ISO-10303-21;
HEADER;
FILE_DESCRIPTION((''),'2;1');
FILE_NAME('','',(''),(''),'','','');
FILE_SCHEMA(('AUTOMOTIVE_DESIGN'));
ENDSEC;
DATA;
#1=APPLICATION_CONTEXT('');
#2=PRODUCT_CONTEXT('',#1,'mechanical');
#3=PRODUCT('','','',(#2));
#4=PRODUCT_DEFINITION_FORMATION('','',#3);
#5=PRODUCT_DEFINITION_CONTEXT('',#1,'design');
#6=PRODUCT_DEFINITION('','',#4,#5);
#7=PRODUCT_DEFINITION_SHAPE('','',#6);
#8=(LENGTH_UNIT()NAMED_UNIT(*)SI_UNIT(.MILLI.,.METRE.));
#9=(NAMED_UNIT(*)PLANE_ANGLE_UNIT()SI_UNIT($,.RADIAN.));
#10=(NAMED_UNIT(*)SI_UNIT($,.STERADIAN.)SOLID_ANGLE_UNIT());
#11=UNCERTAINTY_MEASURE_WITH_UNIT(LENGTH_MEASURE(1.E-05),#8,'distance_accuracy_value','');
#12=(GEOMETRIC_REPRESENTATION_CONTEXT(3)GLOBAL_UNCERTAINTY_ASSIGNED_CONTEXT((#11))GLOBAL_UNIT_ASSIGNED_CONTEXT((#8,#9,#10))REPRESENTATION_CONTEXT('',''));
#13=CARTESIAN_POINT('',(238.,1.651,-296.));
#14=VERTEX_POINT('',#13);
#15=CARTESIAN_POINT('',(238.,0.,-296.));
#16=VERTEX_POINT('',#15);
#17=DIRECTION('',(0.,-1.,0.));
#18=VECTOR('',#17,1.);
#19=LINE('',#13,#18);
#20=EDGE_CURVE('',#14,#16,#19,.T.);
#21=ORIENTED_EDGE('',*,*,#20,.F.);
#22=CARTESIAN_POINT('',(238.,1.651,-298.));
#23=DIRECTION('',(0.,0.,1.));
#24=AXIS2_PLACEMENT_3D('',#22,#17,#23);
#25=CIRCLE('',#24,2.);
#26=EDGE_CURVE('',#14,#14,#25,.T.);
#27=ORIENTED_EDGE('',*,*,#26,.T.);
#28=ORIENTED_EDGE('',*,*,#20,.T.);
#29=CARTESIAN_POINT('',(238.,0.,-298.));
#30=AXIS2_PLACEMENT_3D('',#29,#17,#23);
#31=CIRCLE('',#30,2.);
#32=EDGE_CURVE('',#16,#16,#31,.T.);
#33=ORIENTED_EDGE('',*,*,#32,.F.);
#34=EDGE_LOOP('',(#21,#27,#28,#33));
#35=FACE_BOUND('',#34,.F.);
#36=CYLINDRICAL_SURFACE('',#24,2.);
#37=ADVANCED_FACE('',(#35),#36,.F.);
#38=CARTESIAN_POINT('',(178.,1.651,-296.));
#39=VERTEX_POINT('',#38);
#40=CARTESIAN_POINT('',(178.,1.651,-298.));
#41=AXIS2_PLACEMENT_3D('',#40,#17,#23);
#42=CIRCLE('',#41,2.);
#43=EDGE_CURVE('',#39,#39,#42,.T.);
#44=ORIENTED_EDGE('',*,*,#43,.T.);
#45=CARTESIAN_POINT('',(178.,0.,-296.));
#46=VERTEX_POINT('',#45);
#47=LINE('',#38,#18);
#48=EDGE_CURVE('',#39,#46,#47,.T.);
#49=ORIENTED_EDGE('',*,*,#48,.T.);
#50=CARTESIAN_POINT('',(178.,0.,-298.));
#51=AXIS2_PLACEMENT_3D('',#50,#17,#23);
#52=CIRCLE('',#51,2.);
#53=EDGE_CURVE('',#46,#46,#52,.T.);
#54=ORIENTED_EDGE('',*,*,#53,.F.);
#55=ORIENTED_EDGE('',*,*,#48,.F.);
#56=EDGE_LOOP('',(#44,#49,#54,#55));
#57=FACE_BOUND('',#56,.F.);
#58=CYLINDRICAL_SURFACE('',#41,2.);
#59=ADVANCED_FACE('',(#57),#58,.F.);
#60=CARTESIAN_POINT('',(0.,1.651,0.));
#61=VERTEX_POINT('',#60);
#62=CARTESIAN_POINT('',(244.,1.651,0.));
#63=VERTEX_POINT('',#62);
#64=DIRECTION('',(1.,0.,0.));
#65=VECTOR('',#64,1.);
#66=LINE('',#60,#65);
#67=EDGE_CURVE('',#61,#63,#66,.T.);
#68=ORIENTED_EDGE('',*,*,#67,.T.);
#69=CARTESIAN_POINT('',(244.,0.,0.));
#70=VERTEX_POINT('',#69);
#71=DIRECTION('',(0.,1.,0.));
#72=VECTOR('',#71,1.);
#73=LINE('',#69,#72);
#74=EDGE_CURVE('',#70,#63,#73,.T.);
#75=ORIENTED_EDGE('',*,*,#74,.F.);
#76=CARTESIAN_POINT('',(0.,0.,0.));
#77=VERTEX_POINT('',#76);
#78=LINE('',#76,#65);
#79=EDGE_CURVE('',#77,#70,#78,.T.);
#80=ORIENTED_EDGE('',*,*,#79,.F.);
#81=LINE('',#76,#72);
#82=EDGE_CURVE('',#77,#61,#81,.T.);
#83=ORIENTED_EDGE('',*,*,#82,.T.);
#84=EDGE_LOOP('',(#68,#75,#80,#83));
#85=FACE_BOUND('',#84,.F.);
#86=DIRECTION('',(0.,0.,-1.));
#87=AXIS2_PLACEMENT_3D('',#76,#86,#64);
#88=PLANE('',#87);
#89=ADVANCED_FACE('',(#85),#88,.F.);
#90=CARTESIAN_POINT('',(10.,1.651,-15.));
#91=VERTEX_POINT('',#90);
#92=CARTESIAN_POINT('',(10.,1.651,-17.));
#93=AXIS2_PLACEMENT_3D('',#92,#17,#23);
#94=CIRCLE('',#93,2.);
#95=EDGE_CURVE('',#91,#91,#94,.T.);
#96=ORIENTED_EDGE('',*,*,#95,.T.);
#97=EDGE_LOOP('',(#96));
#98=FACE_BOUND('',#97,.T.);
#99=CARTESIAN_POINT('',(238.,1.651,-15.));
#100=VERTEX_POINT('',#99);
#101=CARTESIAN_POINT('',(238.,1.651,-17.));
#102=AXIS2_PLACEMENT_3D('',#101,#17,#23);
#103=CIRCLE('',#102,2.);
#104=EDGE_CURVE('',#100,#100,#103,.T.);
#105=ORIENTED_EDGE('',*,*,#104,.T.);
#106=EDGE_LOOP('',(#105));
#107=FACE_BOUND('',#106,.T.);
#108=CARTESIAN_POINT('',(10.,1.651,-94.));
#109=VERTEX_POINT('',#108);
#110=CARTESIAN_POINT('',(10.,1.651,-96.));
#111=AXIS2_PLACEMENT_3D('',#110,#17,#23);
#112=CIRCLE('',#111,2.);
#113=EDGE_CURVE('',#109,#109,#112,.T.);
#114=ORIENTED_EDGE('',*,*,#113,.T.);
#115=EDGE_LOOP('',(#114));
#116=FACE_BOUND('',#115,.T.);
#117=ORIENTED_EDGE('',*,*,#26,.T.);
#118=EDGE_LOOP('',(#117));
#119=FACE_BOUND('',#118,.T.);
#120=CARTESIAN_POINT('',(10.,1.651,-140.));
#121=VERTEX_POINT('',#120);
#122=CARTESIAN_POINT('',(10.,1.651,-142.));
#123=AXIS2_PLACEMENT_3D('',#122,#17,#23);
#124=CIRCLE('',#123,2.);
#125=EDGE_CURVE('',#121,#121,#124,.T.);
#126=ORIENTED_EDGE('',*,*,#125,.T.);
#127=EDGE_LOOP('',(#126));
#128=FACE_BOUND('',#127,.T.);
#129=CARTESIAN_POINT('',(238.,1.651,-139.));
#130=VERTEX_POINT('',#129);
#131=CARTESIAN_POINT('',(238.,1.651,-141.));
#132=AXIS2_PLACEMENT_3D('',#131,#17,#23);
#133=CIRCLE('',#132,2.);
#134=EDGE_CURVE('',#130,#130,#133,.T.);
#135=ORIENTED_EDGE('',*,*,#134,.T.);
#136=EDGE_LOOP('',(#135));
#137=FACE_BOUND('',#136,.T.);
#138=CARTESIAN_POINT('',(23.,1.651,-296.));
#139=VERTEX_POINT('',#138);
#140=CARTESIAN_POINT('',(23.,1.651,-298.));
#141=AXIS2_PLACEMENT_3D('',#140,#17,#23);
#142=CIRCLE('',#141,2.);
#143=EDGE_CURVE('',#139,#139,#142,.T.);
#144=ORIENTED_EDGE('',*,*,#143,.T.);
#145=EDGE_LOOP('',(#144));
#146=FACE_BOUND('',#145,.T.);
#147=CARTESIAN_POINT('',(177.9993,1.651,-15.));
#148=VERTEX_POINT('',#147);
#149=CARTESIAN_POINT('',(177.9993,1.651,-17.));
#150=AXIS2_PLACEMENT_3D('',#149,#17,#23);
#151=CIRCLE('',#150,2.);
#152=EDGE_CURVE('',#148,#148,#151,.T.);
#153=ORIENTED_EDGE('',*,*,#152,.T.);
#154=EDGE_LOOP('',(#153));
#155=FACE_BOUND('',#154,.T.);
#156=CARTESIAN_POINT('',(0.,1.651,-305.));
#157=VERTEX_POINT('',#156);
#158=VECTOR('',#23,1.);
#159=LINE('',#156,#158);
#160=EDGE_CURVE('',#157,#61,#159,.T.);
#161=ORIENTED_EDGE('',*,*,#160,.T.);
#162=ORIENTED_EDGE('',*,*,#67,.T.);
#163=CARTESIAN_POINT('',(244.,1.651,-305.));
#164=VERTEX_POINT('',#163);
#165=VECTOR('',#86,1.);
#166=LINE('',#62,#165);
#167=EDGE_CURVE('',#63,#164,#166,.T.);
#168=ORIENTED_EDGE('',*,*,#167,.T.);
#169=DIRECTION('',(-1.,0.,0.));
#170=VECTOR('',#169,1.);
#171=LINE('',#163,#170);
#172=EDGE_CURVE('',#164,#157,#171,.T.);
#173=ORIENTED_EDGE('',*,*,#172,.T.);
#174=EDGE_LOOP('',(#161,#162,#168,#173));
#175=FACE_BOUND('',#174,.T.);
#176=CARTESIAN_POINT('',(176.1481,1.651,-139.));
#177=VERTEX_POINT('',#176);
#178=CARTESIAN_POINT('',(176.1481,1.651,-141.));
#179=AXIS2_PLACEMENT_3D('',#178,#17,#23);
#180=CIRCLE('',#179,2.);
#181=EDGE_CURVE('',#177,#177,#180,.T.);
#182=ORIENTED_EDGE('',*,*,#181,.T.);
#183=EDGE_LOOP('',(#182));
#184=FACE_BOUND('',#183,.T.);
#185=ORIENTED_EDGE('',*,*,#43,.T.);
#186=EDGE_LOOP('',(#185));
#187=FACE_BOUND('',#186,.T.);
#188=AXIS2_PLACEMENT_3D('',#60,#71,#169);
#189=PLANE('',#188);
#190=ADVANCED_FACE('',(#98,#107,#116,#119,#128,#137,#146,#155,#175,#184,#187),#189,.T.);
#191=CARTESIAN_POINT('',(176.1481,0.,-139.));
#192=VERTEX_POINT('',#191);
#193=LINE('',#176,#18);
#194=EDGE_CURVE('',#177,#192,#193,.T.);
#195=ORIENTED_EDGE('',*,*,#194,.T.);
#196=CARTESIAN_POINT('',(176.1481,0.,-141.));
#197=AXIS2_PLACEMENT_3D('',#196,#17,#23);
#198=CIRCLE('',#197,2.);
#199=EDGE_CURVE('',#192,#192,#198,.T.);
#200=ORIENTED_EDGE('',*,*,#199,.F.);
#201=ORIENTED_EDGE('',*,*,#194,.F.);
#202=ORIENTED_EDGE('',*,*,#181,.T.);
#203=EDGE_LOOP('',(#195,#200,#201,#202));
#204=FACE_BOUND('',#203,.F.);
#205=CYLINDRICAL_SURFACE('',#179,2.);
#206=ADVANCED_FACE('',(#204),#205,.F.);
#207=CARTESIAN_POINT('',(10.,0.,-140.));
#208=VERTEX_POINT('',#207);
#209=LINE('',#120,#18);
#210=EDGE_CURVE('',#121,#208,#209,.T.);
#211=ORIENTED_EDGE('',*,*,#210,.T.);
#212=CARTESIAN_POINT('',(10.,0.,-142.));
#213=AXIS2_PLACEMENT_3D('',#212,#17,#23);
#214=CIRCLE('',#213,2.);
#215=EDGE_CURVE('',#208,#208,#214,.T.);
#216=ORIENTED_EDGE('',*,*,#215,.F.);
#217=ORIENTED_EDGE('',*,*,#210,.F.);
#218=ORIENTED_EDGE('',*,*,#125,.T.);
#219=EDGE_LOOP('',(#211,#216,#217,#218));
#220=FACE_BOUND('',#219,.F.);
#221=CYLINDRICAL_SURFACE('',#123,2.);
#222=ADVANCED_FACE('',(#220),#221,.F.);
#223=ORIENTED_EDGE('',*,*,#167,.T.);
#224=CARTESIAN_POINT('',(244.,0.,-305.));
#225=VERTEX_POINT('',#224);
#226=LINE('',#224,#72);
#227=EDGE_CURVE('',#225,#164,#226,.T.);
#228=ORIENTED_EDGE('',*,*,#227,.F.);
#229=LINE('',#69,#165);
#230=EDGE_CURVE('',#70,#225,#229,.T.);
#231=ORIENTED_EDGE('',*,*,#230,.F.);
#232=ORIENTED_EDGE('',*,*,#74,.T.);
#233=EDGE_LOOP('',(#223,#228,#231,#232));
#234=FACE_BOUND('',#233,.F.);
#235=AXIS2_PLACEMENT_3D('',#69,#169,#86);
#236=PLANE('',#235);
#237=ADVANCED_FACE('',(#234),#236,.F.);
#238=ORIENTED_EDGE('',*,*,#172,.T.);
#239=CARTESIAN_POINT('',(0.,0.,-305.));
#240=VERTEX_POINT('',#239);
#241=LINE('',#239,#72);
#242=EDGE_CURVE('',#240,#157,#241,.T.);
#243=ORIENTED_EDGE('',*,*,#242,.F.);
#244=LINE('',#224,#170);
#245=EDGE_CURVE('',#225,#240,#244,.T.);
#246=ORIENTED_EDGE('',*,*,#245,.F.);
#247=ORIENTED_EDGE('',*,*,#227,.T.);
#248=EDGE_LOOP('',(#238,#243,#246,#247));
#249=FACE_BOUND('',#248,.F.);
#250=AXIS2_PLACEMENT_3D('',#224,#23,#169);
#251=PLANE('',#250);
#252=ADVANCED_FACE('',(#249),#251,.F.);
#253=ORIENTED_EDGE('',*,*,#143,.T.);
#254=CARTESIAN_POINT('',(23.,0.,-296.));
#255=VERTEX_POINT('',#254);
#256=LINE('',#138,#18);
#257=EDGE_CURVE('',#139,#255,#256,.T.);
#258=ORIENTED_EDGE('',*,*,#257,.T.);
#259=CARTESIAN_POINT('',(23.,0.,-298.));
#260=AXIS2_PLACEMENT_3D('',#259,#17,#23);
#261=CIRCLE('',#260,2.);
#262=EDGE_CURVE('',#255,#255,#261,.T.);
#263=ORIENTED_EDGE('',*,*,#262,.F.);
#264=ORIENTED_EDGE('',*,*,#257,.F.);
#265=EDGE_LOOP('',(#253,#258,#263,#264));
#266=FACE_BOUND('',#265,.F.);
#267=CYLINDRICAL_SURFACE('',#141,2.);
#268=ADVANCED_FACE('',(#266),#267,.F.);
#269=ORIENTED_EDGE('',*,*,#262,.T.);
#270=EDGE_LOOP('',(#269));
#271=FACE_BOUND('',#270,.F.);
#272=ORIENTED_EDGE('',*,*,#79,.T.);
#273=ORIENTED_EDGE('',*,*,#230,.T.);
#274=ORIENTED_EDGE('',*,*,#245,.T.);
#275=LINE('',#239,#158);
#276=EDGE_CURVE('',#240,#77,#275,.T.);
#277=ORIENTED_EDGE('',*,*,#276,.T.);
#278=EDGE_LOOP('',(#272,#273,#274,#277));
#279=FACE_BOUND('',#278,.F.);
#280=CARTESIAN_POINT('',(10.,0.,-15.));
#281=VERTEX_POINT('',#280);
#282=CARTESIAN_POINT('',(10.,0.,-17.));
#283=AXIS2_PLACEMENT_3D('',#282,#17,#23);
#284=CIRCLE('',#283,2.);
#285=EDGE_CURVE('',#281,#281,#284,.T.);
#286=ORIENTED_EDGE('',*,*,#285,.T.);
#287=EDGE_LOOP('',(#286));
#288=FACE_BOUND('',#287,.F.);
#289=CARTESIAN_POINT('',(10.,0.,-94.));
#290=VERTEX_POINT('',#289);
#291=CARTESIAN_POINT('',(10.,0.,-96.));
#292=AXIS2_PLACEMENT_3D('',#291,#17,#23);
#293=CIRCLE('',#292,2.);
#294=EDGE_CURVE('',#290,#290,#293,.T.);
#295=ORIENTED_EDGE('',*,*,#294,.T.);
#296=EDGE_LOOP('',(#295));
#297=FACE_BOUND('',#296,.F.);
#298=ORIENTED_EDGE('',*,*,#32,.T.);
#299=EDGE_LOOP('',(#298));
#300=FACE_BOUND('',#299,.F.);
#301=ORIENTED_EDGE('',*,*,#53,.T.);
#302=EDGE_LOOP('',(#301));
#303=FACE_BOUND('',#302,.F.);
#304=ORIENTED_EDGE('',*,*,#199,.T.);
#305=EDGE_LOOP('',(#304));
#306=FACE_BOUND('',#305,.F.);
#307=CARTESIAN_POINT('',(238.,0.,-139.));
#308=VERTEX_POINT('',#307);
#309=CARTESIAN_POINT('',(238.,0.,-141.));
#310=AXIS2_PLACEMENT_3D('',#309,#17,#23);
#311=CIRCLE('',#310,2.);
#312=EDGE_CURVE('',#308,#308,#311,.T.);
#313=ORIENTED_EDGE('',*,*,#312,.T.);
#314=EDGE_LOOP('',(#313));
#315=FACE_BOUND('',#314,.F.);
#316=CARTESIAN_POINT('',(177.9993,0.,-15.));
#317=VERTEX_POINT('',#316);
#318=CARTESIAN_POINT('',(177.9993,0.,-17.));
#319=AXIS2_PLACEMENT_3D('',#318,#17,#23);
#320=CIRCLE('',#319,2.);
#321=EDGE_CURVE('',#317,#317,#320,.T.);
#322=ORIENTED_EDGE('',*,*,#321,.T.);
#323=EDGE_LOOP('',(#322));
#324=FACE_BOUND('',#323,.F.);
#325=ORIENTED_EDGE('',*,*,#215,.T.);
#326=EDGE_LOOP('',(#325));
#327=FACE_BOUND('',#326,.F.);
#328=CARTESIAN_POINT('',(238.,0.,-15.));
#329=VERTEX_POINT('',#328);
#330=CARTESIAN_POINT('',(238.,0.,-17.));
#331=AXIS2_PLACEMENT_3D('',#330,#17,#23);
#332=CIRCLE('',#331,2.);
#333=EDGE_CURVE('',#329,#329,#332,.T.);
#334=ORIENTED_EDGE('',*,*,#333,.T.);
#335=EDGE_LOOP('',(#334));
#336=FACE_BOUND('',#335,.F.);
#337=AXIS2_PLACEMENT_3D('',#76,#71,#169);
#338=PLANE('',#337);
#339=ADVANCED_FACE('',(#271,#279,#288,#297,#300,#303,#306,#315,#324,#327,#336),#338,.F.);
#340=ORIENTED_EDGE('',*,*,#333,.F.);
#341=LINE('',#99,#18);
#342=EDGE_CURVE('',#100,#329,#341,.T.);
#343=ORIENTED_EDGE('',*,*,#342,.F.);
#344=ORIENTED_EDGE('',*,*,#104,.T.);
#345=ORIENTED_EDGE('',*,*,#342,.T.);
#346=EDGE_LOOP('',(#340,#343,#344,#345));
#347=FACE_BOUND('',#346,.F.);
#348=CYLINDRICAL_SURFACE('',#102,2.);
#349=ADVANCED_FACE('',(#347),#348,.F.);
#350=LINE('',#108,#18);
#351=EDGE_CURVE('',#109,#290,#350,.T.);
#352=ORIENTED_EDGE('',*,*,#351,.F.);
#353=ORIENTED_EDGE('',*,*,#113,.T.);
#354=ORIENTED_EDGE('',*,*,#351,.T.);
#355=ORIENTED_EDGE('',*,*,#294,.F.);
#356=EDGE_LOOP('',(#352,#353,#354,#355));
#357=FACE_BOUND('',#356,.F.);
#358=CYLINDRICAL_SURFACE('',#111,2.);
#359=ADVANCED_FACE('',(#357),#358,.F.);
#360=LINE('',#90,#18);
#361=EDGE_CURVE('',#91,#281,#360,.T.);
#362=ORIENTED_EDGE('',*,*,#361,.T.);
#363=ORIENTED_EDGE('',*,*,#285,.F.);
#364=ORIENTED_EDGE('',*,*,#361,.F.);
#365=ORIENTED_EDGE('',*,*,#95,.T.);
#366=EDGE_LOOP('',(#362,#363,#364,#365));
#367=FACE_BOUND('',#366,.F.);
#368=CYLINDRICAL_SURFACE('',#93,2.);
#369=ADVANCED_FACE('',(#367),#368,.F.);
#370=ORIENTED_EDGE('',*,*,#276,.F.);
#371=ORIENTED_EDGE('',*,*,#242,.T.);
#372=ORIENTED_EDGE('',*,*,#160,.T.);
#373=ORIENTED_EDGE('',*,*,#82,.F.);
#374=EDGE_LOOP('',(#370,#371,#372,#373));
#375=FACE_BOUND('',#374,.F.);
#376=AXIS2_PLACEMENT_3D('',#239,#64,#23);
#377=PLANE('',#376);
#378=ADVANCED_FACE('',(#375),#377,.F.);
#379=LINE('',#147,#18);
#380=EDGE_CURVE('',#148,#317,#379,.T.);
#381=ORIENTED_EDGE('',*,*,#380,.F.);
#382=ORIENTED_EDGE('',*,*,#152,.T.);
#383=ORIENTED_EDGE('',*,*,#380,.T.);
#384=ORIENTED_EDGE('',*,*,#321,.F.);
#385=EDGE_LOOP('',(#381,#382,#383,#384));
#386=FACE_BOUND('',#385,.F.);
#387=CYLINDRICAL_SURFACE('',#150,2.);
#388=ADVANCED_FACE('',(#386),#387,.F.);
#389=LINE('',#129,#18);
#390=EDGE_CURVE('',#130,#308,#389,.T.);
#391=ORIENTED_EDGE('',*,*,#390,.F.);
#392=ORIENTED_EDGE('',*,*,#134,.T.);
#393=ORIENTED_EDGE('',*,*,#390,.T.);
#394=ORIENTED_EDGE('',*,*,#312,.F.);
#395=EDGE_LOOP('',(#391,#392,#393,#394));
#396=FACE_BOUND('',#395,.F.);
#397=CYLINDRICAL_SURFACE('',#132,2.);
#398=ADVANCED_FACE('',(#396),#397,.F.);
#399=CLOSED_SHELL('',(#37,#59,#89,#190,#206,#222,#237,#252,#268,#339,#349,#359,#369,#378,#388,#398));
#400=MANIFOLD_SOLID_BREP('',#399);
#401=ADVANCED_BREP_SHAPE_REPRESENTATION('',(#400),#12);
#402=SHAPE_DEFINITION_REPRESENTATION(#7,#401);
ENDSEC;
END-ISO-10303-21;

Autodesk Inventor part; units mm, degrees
ref_plane "YZ Plane" through (0, 0, 0) normal (1, 0, 0) x (0, 1, 0)
ref_plane "XZ Plane" through (0, 0, 0) normal (0, 1, 0) x (-1, 0, 0)
ref_plane "XY Plane" through (0, 0, 0) normal (0, 0, 1) x (1, 0, 0)
sketch "Sketch1" plane through (0, 0, 0) normal (0, 1, 0) x (-1, 0, 0)
  line L0 (0, 0) -> (-244, 0)
  line L1 (-244, 0) -> (-244, -305)
  line L2 (-244, -305) -> (0, -305)
  line L3 (0, -305) -> (0, 0)
  dimension "d0" = 244
  dimension "d1" = 305
extrude "Extrusion1" add sketch "Sketch1" along normal blind 1.651
sketch "Sketch2" plane through (0, 1.651, 0) normal (0, 1, 0) x (1, 0, 0)
  line L0 (0, 305) -> (0, 0) projected
  line L1 (0, 0) -> (244, 0) projected
  line L2 (244, 0) -> (244, 305) projected
  point P0 (10, 17)
  point P1 (10, 96)
  point P2 (10, 142)
  point P3 (238, 17)
  point P4 (177.9993, 17)
  point P5 (176.1481, 141)
  point P6 (178, 298)
  point P7 (23, 298)
  point P8 (238, 141)
  point P9 (238, 298)
  dimension "d4" = 10
  dimension "d5" = 17
  dimension "d6" = 79
  dimension "d8" = 46
  dimension "d11" = 6
  dimension "d14" = 17
  dimension "d16" = 155
  dimension "d17" = 23
  dimension "d18" = 124
  dimension "d19" = 157
hole "Hole1" at (10, 1.651, -17) at (10, 1.651, -96) at (10, 1.651, -142) at (238, 1.651, -17) at (177.9993, 1.651, -17) at (176.1481, 1.651, -141) at (178, 1.651, -298) at (23, 1.651, -298) at (238, 1.651, -141) at (238, 1.651, -298) direction (0, -1, 0) diameter 4 end through all
properties part number "atxboard"
